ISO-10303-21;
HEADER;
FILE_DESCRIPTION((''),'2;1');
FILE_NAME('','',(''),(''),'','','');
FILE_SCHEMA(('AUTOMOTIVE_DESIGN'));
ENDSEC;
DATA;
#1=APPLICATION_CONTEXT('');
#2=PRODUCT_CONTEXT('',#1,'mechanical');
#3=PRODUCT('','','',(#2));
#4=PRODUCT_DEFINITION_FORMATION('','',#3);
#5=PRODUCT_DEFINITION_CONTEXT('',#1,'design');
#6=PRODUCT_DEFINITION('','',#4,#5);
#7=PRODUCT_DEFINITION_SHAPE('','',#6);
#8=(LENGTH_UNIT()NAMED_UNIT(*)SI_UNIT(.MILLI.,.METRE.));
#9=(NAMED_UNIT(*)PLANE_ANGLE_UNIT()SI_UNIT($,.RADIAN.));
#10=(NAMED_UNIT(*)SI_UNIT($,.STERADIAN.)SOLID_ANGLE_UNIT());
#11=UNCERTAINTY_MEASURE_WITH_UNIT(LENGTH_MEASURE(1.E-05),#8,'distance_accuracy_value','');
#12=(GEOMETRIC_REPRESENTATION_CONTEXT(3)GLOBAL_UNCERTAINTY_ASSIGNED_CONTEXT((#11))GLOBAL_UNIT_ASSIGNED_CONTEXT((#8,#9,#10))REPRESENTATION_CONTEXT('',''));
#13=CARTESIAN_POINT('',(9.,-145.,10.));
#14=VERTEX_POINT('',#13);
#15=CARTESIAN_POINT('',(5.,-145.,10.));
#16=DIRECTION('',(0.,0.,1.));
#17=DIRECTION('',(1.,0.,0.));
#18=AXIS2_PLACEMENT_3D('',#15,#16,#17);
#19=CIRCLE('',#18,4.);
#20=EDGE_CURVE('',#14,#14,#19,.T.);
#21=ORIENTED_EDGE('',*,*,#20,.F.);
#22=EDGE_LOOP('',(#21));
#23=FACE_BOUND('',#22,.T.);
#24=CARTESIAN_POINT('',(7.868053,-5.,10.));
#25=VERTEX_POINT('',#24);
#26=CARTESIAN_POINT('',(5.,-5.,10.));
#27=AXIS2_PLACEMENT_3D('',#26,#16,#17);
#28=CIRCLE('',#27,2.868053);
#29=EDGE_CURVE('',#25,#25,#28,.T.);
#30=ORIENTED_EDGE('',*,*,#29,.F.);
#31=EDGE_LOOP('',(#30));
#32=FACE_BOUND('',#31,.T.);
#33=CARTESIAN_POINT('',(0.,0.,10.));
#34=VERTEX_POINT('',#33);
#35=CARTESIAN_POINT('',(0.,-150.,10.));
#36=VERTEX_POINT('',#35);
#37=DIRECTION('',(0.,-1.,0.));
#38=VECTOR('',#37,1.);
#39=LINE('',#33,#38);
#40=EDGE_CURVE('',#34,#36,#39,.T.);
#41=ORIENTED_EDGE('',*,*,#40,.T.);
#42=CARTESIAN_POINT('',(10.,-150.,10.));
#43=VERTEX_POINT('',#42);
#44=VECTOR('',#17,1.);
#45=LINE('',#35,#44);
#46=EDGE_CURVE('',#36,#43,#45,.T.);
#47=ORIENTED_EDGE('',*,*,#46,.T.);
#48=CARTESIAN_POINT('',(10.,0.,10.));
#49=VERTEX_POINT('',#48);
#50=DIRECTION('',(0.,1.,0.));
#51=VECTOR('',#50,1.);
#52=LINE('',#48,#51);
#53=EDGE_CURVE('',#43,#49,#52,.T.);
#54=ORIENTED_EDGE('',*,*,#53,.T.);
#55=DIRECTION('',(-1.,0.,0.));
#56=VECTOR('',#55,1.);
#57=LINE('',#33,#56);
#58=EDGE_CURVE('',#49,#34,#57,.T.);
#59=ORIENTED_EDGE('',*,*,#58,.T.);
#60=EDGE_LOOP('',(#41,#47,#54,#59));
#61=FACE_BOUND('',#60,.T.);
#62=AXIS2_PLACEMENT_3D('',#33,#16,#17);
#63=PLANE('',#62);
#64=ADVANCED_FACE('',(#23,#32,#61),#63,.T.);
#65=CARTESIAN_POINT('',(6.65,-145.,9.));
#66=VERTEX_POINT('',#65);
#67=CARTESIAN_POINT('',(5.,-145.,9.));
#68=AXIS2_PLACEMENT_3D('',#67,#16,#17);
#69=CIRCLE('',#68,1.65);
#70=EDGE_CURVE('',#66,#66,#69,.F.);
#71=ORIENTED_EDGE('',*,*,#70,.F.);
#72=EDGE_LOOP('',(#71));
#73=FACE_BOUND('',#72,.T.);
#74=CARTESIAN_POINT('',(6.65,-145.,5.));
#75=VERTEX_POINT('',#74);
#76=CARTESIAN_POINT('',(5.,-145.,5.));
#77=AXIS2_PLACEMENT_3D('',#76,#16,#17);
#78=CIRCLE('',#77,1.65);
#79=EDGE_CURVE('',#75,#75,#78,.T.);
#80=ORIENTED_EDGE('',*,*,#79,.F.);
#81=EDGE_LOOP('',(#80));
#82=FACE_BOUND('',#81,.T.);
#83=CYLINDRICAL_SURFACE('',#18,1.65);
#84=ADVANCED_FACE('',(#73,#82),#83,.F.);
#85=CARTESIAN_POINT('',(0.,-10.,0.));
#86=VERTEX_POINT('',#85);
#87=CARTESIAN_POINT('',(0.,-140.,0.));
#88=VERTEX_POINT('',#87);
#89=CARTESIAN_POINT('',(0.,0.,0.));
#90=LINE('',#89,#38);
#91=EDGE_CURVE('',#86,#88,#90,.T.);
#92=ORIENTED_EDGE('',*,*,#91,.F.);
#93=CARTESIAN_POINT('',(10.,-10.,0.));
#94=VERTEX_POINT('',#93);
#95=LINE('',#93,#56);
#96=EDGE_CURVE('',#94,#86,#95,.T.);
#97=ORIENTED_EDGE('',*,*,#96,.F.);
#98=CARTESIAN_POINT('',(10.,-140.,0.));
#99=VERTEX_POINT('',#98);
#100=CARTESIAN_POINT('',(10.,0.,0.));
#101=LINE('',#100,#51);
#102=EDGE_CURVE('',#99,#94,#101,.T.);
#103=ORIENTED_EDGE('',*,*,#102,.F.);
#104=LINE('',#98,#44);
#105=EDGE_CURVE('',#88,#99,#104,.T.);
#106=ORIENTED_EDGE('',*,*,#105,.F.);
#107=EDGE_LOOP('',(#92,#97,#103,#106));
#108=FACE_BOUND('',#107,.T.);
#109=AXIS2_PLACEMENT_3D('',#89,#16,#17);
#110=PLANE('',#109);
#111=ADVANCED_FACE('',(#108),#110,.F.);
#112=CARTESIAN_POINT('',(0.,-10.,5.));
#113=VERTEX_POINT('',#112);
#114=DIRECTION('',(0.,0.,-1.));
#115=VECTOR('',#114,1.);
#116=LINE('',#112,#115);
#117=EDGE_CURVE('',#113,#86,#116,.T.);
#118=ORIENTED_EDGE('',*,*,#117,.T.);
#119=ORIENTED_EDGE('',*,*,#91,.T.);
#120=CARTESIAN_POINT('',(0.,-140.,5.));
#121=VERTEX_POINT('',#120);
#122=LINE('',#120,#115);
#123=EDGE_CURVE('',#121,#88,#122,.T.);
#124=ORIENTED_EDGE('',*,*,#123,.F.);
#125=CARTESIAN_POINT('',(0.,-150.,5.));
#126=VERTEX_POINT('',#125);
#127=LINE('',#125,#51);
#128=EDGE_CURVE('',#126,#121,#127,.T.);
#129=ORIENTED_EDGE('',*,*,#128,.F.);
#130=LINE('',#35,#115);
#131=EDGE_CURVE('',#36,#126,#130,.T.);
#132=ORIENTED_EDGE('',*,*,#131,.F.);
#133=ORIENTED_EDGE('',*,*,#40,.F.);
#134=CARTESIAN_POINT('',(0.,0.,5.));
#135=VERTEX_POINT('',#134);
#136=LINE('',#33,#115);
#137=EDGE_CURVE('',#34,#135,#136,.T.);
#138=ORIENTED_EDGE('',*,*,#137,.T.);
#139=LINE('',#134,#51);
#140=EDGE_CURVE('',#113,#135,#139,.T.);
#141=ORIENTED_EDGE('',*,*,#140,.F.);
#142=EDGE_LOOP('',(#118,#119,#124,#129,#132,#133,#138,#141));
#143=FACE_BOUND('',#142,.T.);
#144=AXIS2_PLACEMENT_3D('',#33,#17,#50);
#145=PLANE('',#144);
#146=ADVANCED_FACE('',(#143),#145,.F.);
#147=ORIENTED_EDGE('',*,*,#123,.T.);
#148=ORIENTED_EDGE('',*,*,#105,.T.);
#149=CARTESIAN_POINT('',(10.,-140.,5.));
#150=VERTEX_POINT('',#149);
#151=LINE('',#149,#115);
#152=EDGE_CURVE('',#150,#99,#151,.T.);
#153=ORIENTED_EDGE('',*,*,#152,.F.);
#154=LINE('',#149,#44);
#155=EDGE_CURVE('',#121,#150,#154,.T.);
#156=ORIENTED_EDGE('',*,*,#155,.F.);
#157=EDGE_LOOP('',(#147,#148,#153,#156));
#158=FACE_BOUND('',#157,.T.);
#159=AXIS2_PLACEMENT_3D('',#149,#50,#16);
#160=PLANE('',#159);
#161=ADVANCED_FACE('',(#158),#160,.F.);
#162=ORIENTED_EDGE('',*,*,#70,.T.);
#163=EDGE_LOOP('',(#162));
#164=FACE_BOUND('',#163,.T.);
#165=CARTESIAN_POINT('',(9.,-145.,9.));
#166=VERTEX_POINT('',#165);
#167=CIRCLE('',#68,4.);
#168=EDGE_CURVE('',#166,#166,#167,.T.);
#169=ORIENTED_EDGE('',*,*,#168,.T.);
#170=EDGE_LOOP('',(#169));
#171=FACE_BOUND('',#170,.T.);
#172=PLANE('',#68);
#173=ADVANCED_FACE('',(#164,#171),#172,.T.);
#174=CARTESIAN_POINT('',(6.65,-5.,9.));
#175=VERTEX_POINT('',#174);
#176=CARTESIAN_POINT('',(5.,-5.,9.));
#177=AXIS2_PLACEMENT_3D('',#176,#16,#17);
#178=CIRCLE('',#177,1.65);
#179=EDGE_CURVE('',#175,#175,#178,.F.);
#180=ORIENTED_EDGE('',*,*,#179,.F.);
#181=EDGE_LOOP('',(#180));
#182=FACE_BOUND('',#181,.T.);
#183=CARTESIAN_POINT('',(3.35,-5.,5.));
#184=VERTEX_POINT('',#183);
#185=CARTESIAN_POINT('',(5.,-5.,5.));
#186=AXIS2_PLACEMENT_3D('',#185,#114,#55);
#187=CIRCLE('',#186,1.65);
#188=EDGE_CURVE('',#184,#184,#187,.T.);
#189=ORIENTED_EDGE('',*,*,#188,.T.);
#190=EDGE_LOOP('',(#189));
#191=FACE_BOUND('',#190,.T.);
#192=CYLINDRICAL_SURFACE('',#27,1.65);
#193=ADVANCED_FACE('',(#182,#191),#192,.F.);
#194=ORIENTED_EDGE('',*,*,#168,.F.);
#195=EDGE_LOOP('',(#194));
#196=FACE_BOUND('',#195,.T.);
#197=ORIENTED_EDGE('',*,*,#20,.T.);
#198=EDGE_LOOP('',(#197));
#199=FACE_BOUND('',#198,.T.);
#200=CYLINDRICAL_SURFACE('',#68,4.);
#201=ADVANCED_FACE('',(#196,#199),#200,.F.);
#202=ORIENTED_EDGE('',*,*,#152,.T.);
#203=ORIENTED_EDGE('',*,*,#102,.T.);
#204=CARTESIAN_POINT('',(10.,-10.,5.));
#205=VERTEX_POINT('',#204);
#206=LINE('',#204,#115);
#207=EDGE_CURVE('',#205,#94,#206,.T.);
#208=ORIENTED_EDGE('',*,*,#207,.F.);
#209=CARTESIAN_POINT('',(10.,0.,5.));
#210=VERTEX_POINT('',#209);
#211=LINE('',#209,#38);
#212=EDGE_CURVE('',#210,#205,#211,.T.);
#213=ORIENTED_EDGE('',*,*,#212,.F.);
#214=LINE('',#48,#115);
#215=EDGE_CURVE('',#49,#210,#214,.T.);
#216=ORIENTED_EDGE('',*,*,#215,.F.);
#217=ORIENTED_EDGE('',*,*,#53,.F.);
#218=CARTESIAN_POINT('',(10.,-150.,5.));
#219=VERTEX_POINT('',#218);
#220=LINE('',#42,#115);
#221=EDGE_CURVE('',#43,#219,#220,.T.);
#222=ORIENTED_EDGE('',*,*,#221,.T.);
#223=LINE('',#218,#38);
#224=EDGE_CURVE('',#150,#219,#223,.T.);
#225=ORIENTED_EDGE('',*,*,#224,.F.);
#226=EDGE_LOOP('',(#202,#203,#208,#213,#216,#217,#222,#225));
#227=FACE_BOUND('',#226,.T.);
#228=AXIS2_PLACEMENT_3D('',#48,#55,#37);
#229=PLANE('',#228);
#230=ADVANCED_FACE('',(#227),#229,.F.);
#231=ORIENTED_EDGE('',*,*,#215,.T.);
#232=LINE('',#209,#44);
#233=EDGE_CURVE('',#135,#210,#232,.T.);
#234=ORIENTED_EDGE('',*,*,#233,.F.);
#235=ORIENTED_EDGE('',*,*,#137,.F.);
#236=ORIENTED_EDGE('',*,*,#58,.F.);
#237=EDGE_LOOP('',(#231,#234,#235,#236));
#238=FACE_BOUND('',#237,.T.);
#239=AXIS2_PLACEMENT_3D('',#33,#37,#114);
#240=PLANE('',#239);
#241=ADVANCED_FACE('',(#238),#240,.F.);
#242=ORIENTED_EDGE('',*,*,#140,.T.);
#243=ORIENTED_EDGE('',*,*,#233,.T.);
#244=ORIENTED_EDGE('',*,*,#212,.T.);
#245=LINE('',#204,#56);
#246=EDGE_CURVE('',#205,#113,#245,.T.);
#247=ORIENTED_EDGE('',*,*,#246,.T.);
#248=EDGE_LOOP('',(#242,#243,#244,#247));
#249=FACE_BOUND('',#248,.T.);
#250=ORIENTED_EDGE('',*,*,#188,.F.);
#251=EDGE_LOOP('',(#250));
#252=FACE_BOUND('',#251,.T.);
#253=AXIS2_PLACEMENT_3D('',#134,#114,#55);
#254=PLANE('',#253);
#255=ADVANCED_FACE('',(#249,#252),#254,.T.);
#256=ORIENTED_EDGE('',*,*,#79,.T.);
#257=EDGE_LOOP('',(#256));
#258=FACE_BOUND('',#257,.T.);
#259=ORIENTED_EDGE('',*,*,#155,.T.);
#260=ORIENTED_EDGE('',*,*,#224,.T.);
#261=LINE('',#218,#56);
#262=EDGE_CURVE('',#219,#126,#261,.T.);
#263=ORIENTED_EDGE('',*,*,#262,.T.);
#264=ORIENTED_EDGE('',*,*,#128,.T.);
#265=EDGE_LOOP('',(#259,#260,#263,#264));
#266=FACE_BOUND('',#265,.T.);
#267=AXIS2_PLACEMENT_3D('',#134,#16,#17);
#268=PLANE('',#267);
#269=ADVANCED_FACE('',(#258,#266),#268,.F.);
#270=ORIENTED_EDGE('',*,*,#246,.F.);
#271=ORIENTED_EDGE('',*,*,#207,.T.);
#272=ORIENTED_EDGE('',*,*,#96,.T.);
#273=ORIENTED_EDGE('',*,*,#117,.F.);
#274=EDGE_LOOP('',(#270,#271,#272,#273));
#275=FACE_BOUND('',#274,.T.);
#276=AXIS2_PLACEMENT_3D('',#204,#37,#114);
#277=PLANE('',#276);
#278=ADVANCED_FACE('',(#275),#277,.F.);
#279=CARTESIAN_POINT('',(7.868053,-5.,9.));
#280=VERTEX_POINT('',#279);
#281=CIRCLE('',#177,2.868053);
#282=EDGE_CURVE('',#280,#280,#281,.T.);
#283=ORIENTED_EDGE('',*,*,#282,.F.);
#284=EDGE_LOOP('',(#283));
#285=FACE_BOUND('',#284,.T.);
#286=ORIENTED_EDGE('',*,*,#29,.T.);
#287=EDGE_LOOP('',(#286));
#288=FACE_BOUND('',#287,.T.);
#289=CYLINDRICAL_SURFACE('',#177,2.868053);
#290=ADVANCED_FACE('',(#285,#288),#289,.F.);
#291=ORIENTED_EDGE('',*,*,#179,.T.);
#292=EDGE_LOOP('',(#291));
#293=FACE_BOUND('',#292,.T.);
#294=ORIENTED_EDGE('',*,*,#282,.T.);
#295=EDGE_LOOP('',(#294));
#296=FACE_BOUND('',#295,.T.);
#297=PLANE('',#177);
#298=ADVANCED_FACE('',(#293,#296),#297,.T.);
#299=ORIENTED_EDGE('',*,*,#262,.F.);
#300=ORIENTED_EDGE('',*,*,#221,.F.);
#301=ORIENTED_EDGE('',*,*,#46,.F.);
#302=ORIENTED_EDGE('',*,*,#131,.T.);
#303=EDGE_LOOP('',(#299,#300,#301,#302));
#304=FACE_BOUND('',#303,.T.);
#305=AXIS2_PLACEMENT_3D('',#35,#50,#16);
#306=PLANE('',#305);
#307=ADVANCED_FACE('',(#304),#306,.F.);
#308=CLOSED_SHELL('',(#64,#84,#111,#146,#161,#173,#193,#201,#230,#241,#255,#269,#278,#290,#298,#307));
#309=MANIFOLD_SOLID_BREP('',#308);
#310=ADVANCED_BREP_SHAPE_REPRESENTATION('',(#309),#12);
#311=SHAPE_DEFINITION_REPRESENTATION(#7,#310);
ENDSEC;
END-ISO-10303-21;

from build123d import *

# Parameters (mm, degrees)
SKETCH_1_W          = 10
SKETCH_1_H          = 150
EXTRUDE_1_DEPTH     = 10
SKETCH_3_W          = 10
SKETCH_3_H          = 10
CUT_EXTRUDE_1_DEPTH = 5
HOLE_WIZARD_M4_1_D  = 3.3
SKETCH_7_R          = 2.868052952
SKETCH_7_R_2        = 4
CUT_EXTRUDE_2_DEPTH = 1


with BuildPart() as part:
    # 草图1 → 凸台-拉伸1 (new body)
    with BuildSketch(Plane.XY):
        with Locations((5, -75)):
            Rectangle(SKETCH_1_W, SKETCH_1_H)
    extrude(amount=EXTRUDE_1_DEPTH)

    # 草图3 → 切除-拉伸1 (cut)
    with BuildSketch(Plane(origin=(0, 0, 0), x_dir=(-1, 0, 0), z_dir=(0, 0, -1))):
        with Locations((-5, -5)):
            Rectangle(SKETCH_3_W, SKETCH_3_H)
        with Locations((-5, -145)):
            Rectangle(SKETCH_3_W, SKETCH_3_H)
    extrude(amount=-CUT_EXTRUDE_1_DEPTH, mode=Mode.SUBTRACT)

    # M4 螺纹孔1 (through all)
    with Locations(Plane.XY.offset(10)):
        with Locations((5, -5), (5, -145)):
            Hole(HOLE_WIZARD_M4_1_D / 2)

    # 草图7 → 切除-拉伸2 (cut)
    with BuildSketch(Plane.XY.offset(10)):
        with Locations((5, -5)):
            Circle(SKETCH_7_R)
        with Locations((5, -145)):
            Circle(SKETCH_7_R_2)
    extrude(amount=-CUT_EXTRUDE_2_DEPTH, mode=Mode.SUBTRACT)


solid = part.part
